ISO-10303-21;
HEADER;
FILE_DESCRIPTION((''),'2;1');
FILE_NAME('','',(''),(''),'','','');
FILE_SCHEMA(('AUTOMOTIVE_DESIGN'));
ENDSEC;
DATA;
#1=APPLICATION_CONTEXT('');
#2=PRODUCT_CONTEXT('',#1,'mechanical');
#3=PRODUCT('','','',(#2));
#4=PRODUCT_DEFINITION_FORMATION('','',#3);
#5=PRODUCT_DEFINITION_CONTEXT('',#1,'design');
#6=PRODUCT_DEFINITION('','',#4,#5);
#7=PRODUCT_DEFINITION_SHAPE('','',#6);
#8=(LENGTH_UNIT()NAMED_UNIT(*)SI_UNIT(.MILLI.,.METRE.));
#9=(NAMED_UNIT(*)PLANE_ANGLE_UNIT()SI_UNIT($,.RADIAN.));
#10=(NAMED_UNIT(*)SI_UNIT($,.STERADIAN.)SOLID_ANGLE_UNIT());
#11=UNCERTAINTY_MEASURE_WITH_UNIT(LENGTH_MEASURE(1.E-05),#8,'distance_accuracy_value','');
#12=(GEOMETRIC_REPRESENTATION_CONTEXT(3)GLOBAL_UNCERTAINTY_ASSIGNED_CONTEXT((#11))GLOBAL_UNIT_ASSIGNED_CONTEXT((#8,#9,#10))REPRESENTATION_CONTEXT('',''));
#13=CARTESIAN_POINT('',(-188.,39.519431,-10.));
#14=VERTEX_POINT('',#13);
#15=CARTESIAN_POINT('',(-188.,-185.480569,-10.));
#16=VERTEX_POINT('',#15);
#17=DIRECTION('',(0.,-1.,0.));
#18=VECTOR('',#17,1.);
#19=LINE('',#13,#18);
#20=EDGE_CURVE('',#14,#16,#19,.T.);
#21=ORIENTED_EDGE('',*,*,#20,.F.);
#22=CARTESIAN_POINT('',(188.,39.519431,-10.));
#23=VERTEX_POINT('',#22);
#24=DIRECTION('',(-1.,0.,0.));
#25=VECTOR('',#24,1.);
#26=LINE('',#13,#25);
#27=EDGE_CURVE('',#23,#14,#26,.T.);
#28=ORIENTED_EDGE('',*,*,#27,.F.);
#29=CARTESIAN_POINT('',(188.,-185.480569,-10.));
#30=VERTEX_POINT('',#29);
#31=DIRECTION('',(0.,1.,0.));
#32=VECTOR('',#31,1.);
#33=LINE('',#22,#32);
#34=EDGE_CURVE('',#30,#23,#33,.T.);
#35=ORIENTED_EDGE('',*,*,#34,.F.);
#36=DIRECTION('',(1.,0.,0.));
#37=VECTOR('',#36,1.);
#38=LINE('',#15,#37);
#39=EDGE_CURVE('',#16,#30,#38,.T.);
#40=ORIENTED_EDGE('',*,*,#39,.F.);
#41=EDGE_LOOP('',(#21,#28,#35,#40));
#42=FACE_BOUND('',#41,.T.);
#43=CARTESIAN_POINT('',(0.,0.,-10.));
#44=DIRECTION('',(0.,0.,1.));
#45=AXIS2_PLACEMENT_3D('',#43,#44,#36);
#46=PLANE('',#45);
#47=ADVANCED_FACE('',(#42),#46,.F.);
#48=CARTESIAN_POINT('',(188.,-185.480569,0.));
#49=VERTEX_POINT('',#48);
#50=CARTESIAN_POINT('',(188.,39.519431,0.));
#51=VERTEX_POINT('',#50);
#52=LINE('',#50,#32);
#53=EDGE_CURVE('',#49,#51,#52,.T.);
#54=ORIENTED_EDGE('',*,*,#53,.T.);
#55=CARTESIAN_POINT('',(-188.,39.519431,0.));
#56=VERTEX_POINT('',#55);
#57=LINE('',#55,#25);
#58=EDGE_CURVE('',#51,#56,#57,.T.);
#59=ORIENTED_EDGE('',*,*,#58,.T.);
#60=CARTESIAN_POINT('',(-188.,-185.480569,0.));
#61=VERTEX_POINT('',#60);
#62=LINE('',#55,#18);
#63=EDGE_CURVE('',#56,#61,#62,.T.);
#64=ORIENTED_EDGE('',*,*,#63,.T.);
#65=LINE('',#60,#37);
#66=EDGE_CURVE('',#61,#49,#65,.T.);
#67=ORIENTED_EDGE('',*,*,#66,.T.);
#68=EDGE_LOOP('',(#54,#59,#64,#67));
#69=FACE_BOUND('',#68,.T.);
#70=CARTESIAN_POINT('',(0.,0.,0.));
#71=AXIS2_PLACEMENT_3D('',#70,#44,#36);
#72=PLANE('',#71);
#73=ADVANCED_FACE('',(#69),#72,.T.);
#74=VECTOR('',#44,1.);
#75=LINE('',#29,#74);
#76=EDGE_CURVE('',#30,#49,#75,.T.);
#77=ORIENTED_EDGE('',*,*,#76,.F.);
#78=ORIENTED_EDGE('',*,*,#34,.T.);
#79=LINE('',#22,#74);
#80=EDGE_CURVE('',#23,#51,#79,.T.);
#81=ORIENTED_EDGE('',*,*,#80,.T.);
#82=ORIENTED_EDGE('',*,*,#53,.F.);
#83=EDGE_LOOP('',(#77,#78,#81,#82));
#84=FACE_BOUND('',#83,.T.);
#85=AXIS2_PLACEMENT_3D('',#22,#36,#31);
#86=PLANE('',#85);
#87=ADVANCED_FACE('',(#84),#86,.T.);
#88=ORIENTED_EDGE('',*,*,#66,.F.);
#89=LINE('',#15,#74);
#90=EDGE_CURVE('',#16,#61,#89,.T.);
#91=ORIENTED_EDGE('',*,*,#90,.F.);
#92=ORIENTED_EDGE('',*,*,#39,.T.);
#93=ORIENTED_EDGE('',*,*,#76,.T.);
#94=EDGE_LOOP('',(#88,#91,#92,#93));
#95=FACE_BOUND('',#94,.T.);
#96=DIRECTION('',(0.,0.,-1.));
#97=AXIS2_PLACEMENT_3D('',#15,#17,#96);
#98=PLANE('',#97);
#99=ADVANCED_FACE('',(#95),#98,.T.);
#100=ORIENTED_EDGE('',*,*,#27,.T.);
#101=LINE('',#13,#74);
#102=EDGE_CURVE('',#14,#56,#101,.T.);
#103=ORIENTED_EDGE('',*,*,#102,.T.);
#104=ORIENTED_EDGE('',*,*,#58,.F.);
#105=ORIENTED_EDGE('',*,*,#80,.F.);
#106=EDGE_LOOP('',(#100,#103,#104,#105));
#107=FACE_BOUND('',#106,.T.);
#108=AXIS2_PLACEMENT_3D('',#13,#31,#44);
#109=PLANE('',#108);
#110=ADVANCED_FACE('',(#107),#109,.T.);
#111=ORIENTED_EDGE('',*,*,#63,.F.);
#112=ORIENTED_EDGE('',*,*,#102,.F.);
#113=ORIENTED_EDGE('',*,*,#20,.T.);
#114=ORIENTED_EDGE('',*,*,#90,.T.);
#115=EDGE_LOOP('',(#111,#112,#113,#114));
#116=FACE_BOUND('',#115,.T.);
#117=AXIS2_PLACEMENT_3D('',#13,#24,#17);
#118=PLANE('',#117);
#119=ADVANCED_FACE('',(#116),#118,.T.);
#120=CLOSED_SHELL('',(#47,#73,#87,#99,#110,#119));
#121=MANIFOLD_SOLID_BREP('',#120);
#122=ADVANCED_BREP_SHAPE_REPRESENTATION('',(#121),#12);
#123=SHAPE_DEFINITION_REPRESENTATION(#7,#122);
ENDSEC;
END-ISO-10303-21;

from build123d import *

# Parameters (mm, degrees)
SKETCH_2_W      = 376
SKETCH_2_H      = 225
EXTRUDE_1_DEPTH = 10


with BuildPart() as part:
    # Эскиз2 → Бобышка-Вытянуть1 (new body)
    with BuildSketch(Plane.XY):
        with Locations((0, -72.980568934)):
            Rectangle(SKETCH_2_W, SKETCH_2_H)
    extrude(amount=-EXTRUDE_1_DEPTH)


solid = part.part
